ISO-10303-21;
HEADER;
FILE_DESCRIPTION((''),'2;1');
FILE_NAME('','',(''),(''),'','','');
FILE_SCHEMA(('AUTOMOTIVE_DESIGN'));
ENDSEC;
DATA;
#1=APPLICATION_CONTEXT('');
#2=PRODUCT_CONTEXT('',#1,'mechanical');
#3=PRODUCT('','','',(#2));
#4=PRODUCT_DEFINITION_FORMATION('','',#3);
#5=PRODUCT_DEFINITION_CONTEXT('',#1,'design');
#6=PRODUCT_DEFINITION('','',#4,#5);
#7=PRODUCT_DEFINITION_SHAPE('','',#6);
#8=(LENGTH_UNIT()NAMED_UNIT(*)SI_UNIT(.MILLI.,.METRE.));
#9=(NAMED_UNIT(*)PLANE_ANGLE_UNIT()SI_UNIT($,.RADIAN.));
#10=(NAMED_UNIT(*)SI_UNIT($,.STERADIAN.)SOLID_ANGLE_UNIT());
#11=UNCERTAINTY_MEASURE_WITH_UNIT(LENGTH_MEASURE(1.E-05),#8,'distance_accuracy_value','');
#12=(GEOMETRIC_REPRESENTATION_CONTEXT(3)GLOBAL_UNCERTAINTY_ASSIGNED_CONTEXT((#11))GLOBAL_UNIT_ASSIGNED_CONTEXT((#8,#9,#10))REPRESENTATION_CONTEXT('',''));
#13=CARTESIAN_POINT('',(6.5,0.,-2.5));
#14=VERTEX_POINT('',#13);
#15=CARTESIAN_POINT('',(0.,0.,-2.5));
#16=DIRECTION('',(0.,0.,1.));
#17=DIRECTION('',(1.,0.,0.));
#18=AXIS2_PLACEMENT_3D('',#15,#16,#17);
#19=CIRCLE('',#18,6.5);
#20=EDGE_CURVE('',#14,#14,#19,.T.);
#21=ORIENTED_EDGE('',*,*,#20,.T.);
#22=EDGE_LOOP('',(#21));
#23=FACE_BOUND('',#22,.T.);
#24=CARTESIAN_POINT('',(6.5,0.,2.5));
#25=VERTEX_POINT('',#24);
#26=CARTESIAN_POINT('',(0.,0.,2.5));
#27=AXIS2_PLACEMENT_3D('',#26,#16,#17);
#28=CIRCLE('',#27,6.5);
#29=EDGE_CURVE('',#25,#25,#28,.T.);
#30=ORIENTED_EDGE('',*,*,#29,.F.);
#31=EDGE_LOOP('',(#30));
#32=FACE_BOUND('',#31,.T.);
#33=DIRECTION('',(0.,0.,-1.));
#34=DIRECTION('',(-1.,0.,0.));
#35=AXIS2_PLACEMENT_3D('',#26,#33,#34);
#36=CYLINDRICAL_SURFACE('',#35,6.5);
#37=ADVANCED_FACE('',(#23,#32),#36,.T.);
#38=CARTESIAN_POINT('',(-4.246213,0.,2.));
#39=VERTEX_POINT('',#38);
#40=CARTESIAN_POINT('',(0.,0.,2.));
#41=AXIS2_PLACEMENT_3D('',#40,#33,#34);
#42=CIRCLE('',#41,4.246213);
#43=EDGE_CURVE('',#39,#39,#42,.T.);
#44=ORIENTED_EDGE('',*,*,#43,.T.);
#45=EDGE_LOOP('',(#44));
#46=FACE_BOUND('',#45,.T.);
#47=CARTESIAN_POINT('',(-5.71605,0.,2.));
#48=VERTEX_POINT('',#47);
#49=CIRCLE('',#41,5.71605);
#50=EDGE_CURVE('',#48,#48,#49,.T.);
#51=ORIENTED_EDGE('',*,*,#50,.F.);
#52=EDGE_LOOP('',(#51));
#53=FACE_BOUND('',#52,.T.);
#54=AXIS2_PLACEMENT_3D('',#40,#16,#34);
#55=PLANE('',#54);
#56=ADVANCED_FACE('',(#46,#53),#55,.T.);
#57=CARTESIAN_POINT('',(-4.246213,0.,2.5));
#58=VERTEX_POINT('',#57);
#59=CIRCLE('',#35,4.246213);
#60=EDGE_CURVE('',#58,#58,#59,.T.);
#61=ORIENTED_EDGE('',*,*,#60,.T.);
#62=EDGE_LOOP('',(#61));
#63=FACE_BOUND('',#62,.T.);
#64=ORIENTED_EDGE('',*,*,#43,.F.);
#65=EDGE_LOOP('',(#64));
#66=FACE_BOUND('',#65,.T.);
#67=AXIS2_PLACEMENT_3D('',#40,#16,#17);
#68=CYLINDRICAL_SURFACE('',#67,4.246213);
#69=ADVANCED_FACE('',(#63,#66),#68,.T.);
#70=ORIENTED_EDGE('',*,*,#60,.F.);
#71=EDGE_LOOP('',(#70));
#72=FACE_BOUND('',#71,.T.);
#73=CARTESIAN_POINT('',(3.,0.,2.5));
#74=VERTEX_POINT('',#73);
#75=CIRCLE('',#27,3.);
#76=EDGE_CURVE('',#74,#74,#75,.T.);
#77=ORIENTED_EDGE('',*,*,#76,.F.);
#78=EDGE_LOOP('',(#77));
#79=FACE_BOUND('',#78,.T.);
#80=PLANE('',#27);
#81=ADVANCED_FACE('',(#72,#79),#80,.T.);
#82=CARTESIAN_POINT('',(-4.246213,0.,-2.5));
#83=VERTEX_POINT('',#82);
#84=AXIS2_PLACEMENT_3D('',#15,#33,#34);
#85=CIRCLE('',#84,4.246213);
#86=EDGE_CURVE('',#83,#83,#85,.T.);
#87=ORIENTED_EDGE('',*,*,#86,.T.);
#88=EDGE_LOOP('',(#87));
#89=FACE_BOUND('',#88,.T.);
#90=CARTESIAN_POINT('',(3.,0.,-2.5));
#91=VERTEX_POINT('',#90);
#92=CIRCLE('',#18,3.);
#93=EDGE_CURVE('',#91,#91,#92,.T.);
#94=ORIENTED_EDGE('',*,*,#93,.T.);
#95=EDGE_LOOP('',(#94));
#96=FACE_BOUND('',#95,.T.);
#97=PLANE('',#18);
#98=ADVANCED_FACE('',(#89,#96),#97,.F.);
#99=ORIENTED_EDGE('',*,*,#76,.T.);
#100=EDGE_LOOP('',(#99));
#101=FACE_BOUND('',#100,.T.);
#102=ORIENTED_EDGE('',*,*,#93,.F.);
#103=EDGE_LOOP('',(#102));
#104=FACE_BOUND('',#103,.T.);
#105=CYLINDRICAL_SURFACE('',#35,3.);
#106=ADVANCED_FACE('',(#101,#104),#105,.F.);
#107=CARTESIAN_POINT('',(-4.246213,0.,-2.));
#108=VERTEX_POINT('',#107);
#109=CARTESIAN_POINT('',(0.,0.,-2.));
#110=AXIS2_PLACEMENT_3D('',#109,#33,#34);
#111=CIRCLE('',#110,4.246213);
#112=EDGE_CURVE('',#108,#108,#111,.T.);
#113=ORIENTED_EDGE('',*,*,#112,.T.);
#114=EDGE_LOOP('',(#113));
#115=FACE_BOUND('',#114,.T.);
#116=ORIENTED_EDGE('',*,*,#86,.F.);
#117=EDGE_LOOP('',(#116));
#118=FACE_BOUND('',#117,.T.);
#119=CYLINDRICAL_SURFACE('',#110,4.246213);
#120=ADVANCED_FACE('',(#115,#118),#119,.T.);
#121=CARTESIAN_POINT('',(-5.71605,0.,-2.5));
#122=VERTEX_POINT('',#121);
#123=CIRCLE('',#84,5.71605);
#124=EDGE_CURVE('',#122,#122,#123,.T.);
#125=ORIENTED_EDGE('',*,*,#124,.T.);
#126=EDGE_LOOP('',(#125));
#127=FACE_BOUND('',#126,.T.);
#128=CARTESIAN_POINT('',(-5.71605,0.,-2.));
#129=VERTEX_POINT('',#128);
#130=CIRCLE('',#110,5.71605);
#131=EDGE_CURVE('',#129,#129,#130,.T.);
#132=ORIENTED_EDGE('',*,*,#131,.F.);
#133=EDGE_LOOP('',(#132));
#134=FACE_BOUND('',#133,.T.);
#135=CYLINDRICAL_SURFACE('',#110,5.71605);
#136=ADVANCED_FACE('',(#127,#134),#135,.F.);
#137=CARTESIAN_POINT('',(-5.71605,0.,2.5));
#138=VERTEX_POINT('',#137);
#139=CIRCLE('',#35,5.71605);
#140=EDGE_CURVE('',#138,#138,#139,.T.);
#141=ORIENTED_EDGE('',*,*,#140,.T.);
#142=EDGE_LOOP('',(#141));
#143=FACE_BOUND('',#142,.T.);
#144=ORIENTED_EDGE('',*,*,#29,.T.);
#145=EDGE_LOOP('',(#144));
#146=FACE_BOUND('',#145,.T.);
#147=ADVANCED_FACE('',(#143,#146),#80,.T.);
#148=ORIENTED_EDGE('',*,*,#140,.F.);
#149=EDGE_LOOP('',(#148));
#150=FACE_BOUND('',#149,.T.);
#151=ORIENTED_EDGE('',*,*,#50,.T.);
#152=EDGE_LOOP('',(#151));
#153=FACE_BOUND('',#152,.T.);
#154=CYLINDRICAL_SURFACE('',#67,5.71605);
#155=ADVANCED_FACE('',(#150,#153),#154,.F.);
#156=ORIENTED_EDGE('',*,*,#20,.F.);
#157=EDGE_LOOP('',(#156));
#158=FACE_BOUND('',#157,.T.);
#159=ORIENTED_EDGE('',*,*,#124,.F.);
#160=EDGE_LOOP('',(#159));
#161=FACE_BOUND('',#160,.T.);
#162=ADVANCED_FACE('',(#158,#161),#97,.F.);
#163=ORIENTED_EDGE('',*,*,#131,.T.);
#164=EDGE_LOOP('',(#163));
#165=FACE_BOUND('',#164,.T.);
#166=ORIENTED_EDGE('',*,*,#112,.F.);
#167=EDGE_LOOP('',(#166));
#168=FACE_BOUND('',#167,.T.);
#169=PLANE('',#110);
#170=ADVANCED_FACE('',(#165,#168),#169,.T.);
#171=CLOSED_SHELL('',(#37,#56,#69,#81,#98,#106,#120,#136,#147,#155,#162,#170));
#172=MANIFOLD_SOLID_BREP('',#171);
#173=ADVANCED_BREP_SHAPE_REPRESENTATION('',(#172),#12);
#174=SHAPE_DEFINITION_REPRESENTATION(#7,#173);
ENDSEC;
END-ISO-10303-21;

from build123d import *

# Parameters (mm, degrees)
SKETCH_1_R          = 6.5
SKETCH_1_R_2        = 3
EXTRUDE_1_DEPTH     = 2.5
SKETCH_2_R          = 5.716050362
SKETCH_2_R_2        = 4.24621305
CUT_EXTRUDE_1_DEPTH = 0.5


with BuildPart() as part:
    # 草图1 → 凸台-拉伸1 (new, symmetric)
    with BuildSketch(Plane.XY):
        Circle(SKETCH_1_R)
        Circle(SKETCH_1_R_2, mode=Mode.SUBTRACT)
    extrude(amount=EXTRUDE_1_DEPTH, both=True)

    # 草图2 → 切除-拉伸1 (cut)
    with BuildSketch(Plane(origin=(0, 0, -2.5), x_dir=(-1, 0, 0), z_dir=(0, 0, -1))):
        Circle(SKETCH_2_R)
        Circle(SKETCH_2_R_2, mode=Mode.SUBTRACT)
    cut_extrude_1 = extrude(amount=-CUT_EXTRUDE_1_DEPTH, mode=Mode.SUBTRACT)

    # 镜向1: 切除-拉伸1 across plane
    add(cut_extrude_1.mirror(Plane.XY), mode=Mode.SUBTRACT)


solid = part.part
